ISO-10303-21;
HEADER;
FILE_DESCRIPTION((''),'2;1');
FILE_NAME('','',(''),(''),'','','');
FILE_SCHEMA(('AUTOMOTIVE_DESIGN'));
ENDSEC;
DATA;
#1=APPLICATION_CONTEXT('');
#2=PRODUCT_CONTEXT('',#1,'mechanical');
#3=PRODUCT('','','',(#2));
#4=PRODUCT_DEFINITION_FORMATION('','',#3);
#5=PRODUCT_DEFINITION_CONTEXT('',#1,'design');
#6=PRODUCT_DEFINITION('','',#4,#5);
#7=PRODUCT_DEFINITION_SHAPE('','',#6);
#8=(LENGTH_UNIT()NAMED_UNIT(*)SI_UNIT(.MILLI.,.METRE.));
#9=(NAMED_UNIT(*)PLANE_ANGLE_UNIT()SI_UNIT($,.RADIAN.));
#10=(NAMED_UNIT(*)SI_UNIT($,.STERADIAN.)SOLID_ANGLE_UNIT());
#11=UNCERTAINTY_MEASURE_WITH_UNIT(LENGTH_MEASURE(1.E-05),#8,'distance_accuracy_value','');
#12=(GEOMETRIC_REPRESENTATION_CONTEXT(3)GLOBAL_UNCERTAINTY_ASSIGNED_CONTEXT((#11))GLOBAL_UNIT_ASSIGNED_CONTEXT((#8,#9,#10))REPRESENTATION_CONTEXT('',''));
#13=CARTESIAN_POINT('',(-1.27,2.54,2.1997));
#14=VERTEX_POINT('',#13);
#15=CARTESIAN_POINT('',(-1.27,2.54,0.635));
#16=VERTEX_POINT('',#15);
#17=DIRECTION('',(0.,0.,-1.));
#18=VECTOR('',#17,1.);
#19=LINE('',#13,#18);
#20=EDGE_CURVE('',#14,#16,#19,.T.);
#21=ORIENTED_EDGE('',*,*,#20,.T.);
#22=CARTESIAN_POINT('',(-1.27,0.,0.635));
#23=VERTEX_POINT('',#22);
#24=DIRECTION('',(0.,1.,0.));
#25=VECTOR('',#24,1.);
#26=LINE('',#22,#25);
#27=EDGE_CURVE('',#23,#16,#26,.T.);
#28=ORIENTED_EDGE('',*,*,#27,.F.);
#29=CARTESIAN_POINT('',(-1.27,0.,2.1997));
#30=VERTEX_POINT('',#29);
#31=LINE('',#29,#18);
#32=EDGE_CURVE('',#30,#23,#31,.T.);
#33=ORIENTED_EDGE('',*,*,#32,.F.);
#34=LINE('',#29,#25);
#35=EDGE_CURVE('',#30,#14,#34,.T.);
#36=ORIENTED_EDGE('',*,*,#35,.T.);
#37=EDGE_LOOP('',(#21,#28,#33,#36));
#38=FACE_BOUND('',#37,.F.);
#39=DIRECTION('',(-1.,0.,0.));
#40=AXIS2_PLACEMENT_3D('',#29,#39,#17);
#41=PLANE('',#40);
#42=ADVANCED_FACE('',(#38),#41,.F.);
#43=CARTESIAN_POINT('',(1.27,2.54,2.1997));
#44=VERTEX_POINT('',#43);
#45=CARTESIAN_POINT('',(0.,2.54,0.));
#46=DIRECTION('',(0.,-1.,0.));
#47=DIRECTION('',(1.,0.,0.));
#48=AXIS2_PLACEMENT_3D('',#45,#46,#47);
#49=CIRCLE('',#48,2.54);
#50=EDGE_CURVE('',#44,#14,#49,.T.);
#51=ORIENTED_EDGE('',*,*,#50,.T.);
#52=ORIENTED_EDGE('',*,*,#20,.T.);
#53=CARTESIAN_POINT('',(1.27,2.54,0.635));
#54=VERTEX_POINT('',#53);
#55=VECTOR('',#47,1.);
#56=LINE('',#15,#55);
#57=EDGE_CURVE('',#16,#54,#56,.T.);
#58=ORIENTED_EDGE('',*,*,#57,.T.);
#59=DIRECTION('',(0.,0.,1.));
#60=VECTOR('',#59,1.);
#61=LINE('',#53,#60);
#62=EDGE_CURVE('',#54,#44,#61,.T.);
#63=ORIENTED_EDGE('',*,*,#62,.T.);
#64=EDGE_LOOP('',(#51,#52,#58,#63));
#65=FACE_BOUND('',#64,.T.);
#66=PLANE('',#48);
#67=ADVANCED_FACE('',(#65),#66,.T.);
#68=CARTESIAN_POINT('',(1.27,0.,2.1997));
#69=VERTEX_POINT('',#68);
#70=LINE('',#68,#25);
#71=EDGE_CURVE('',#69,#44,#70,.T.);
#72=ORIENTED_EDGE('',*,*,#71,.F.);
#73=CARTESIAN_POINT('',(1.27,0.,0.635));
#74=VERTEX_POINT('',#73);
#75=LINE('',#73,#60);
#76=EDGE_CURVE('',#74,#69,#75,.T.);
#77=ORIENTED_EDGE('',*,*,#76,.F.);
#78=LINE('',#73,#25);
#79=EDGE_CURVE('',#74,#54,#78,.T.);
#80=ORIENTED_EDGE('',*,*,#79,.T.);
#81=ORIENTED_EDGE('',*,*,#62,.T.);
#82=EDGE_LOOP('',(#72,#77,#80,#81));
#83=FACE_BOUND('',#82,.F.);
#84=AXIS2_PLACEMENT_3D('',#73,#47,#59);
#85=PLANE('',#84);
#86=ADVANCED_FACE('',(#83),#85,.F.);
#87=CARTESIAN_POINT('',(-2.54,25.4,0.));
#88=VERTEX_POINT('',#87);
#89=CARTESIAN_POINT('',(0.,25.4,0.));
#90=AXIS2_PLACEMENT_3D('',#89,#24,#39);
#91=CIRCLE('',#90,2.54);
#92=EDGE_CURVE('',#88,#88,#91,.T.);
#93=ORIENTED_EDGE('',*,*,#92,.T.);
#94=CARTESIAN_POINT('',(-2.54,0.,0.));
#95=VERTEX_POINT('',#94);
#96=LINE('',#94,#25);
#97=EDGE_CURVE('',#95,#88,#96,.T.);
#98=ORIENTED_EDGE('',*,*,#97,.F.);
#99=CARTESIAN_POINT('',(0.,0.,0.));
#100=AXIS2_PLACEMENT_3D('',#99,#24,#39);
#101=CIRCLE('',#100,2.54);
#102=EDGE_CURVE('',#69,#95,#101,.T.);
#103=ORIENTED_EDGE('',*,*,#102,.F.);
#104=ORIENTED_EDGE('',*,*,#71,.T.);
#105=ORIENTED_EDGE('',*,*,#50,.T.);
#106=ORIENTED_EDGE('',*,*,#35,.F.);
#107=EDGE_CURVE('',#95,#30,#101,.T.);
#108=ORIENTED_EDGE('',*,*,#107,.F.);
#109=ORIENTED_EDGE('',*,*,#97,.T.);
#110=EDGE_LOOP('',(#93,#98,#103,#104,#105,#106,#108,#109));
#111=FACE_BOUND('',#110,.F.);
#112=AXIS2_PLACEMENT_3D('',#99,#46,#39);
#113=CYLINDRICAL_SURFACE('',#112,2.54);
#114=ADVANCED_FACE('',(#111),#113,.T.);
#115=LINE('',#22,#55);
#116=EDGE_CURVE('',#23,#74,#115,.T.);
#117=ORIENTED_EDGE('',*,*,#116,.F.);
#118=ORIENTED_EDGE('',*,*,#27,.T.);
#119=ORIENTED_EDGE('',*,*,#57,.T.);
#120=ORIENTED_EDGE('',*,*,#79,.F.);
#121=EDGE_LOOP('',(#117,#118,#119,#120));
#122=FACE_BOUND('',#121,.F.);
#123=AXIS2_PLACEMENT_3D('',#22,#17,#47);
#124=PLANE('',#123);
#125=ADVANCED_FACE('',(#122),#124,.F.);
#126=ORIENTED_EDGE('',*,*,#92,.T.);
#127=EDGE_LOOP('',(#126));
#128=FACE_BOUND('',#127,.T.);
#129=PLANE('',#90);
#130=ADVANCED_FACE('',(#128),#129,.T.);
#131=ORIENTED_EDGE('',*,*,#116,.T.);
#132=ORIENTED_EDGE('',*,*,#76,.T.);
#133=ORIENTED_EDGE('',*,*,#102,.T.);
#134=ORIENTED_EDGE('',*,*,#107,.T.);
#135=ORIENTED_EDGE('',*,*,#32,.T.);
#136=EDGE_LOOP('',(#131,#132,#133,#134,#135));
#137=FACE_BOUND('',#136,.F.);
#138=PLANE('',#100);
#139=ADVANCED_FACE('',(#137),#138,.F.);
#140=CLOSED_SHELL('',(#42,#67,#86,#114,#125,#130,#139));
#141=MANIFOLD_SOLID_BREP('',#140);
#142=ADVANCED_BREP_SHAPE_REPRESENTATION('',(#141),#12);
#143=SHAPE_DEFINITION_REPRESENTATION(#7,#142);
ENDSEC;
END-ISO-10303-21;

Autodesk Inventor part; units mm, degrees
sketch "Sketch1" plane through (0, 0, 0) normal (0, 1, 0) x (-1, 0, 0)
  circle A0 centre (0, 0) radius 2.54
  dimension "shaft_diameter" = 5.08
extrude "Extrusion1" add sketch "Sketch1" along normal blind 25.4
sketch "Sketch2" plane through (0, 25.4, 0) normal (0, 1, 0) x (1, 0, 0)
  point P0 (0, 0)
ref_plane "Work Plane1" through (0, 19.05, 0) normal (0, 1, 0) x (1, 0, 0)
ref_plane "Work Plane2" through (0, 6.35, 0) normal (0, 1, 0) x (1, 0, 0)
sketch "Sketch6" plane through (0, 0, 0) normal (0, 0, 1) x (1, 0, 0)
  point P0 (0, 0)
ref_plane "Work Plane3" through (0, 0, 10.16) normal (0, 0, 1) x (1, 0, 0)
sketch "Sketch8" plane through (0, 0, 0) normal (0, -1, 0) x (1, 0, 0)
  circle A0 centre (0, 0) radius 2.54 projected
  line L0 (-1.27, 2.1997) -> (-1.27, 0.635)
  line L1 (-1.27, 0.635) -> (1.27, 0.635)
  line L2 (1.27, 0.635) -> (1.27, 2.1997)
  dimension "d25" = 0.635
  dimension "d26" = 1.27
extrude "Extrusion6" cut sketch "Sketch8" against normal blind 2.54 contours L2 L1 L0 A0 picked at (0.0885, 1.2654)
properties part number "ADJ_shaft_v2"
